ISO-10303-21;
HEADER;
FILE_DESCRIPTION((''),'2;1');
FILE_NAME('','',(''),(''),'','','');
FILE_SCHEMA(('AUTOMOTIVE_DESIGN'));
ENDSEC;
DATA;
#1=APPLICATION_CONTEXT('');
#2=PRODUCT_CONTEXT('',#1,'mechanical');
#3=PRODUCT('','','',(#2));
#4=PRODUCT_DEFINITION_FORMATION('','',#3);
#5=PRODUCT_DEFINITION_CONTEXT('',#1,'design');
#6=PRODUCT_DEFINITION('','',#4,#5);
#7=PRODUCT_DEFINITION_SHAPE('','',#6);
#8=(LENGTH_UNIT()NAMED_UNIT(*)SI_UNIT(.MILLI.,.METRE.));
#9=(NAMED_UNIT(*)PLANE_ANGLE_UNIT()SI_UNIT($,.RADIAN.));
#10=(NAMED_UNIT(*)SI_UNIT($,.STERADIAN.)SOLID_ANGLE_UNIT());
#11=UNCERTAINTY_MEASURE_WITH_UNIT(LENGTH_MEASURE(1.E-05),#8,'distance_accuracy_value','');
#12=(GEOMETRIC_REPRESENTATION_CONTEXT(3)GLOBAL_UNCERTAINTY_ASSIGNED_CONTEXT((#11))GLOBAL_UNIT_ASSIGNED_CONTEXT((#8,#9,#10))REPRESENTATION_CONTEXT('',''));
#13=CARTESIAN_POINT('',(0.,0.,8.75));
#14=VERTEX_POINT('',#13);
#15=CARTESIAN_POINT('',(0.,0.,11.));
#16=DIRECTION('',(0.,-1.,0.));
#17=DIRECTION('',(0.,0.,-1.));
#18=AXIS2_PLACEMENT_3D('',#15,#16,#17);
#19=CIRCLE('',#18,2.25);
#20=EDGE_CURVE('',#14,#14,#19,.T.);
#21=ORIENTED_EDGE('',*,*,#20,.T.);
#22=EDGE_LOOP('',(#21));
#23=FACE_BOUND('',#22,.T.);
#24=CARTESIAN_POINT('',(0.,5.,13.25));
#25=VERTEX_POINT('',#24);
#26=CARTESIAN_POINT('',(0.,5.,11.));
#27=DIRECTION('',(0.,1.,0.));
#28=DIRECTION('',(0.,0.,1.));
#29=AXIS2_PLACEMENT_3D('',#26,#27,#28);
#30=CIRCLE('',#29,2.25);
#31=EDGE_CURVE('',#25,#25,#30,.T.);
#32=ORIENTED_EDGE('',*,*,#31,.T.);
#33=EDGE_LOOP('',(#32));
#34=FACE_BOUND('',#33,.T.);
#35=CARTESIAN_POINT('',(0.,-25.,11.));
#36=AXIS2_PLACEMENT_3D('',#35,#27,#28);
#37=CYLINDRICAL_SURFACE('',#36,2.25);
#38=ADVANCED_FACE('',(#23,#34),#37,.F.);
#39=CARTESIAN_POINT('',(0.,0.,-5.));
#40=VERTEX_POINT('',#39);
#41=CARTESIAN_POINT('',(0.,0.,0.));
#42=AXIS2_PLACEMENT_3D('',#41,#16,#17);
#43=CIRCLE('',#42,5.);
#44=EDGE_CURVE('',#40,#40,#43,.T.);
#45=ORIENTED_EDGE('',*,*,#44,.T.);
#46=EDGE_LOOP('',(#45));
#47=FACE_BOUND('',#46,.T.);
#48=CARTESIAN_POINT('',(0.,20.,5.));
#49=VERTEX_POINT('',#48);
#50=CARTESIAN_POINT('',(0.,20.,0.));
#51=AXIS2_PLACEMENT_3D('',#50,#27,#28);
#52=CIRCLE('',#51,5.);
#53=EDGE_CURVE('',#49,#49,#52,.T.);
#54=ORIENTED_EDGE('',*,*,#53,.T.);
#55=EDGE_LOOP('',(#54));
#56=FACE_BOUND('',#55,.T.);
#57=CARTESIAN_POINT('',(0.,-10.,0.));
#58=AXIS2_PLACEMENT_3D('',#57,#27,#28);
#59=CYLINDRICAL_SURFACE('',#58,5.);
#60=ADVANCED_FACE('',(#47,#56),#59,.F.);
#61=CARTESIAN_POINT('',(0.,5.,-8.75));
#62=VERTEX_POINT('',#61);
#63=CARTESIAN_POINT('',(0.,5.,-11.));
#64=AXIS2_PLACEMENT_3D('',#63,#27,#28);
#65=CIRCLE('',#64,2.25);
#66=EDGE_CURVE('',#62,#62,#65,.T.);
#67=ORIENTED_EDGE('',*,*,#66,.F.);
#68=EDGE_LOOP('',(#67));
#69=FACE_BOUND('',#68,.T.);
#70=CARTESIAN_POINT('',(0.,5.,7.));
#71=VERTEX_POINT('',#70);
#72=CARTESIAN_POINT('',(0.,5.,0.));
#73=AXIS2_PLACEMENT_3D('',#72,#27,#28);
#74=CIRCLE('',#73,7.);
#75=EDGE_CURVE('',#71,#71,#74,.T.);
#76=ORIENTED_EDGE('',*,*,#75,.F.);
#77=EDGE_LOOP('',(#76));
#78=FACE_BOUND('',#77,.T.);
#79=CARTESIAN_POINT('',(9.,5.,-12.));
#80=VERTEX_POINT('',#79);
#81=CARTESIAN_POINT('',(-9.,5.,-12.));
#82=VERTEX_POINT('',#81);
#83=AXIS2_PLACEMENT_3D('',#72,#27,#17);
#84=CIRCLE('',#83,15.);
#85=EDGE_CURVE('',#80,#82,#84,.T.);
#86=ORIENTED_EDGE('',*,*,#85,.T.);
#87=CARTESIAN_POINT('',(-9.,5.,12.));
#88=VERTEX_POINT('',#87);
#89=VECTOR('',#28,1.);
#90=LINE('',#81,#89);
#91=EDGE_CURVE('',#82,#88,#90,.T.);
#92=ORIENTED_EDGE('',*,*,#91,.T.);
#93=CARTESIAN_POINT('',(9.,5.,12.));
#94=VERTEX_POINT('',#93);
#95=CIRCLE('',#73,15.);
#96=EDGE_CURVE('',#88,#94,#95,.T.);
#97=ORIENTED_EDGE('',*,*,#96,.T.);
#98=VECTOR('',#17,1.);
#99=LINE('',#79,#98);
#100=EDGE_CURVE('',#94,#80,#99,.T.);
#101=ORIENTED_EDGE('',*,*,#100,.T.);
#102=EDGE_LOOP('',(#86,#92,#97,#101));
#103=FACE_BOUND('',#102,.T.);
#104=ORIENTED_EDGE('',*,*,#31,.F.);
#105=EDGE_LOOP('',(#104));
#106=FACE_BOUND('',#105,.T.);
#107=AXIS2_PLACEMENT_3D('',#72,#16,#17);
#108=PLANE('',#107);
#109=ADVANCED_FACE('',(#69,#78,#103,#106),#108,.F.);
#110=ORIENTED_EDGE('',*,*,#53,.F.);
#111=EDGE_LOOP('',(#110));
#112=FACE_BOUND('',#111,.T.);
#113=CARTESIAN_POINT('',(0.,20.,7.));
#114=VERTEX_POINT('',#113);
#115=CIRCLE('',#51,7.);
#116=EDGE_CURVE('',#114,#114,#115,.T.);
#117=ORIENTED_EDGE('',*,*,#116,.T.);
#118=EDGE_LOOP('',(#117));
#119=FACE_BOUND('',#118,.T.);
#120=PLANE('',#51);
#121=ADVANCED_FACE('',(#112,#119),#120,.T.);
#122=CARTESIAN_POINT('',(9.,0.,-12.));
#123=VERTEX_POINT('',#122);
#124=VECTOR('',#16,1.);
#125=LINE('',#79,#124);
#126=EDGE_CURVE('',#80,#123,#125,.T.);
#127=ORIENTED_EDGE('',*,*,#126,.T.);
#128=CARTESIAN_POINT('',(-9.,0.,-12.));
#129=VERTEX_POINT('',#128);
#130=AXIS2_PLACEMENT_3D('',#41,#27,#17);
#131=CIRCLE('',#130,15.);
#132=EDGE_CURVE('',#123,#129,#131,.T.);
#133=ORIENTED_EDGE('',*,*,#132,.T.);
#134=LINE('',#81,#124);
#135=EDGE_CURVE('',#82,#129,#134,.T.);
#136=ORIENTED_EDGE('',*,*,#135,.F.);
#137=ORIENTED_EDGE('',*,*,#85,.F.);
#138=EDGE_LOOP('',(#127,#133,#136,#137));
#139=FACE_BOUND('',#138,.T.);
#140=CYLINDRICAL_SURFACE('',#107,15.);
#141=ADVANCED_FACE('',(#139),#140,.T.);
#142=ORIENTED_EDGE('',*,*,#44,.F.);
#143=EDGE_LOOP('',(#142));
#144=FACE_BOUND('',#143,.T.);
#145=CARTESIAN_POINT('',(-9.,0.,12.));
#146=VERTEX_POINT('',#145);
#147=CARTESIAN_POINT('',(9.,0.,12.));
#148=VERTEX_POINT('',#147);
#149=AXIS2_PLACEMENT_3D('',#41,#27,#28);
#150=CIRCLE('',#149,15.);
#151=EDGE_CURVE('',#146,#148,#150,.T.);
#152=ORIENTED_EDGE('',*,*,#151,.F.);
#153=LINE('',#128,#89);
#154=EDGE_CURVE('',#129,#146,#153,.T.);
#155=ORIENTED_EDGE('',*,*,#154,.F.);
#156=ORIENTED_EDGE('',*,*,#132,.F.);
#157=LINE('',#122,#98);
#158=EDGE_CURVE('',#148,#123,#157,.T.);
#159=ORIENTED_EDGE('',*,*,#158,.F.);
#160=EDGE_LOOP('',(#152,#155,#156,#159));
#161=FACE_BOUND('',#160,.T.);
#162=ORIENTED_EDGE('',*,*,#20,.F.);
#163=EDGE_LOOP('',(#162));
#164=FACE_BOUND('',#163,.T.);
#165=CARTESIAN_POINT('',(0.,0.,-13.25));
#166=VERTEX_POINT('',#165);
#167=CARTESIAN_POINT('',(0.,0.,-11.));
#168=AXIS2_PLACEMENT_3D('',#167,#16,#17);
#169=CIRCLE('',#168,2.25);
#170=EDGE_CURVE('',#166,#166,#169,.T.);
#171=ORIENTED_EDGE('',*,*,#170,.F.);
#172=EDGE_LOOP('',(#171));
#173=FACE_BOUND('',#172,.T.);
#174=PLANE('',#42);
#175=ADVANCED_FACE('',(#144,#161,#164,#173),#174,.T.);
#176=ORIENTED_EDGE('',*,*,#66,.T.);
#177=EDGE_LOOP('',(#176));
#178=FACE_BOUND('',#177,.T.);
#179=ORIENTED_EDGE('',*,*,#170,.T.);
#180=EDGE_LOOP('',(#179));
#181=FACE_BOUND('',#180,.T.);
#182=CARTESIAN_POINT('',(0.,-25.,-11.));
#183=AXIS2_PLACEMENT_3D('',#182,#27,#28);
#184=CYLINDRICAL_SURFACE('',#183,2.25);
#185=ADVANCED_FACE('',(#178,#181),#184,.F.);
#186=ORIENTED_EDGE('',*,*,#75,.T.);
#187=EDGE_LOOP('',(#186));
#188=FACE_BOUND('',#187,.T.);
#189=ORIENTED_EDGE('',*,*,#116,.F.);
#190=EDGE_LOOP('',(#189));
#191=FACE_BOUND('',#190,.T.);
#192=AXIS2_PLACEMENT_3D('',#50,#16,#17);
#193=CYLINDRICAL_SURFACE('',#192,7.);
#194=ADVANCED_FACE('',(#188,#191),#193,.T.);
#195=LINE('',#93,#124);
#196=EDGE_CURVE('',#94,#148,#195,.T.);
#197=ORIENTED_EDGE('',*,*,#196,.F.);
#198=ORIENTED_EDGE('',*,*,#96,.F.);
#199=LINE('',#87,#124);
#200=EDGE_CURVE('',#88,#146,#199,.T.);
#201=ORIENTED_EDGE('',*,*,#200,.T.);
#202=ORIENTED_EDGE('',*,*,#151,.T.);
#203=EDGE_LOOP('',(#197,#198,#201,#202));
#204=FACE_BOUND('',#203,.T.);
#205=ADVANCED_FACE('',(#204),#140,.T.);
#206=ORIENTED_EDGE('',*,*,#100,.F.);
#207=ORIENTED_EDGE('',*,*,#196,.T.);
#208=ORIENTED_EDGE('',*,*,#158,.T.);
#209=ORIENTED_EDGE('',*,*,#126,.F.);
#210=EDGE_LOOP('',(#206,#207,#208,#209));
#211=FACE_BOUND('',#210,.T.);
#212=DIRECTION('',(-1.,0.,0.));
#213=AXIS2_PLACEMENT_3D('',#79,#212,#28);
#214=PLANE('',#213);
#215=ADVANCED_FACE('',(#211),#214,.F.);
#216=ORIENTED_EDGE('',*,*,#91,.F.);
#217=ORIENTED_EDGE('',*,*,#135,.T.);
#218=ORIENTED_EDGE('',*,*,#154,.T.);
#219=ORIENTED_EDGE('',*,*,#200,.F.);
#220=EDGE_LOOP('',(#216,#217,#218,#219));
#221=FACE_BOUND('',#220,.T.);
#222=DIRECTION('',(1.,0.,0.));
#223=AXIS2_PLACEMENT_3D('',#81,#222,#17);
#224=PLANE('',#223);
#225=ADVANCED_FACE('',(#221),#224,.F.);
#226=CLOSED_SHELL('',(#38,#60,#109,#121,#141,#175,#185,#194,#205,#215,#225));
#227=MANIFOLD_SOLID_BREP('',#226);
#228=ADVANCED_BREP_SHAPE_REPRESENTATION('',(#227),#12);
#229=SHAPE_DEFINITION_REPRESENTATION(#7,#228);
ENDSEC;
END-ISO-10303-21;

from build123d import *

# Parameters (mm, degrees)
BOSS_EXTRU_1_DEPTH      = 5
ESQUISSE2_R             = 7
BOSS_EXTRU_2_DEPTH      = 15
ESQUISSE3_R             = 5
ENL_V_MAT_EXTRU_1_DEPTH = 30
ESQUISSE4_R             = 2.25
ENL_V_MAT_EXTRU_2_DEPTH = 30


with BuildPart() as part:
    # Esquisse1 → Boss.-Extru.1 (new body)
    with BuildSketch(Plane(origin=(0, 0, 0), x_dir=(1, 0, 0), z_dir=(0, 1, 0))):
        with BuildLine():
            Line((-9, 12), (-9, -12))
            ThreePointArc((-9, -12), (0, -15), (9, -12))
            Line((9, -12), (9, 12))
            ThreePointArc((9, 12), (0, 15), (-9, 12))
        make_face()
    extrude(amount=BOSS_EXTRU_1_DEPTH)

    # Esquisse2 → Boss.-Extru.2 (add)
    with BuildSketch(Plane(origin=(0, 5, 0), x_dir=(1, 0, 0), z_dir=(0, 1, 0))):
        with Locations(Location((0, 0, 0), (0, 0, 270))):
            Circle(ESQUISSE2_R)
    extrude(amount=BOSS_EXTRU_2_DEPTH)

    # Esquisse3 → Enlèv. mat.-Extru.1 (cut)
    with BuildSketch(Plane(origin=(0, 20, 0), x_dir=(1, 0, 0), z_dir=(0, 1, 0))):
        with Locations(Location((0, 0, 0), (0, 0, 270))):
            Circle(ESQUISSE3_R)
    extrude(amount=-ENL_V_MAT_EXTRU_1_DEPTH, mode=Mode.SUBTRACT)

    # Esquisse4 → Enlèv. mat.-Extru.2 (cut)
    with BuildSketch(Plane(origin=(0, 5, 0), x_dir=(1, 0, 0), z_dir=(0, 1, 0))):
        with Locations(Location((0, 11, 0), (0, 0, 270))):
            Circle(ESQUISSE4_R)
        with Locations(Location((0, -11, 0), (0, 0, 270))):
            Circle(ESQUISSE4_R)
    extrude(amount=-ENL_V_MAT_EXTRU_2_DEPTH, mode=Mode.SUBTRACT)


solid = part.part
